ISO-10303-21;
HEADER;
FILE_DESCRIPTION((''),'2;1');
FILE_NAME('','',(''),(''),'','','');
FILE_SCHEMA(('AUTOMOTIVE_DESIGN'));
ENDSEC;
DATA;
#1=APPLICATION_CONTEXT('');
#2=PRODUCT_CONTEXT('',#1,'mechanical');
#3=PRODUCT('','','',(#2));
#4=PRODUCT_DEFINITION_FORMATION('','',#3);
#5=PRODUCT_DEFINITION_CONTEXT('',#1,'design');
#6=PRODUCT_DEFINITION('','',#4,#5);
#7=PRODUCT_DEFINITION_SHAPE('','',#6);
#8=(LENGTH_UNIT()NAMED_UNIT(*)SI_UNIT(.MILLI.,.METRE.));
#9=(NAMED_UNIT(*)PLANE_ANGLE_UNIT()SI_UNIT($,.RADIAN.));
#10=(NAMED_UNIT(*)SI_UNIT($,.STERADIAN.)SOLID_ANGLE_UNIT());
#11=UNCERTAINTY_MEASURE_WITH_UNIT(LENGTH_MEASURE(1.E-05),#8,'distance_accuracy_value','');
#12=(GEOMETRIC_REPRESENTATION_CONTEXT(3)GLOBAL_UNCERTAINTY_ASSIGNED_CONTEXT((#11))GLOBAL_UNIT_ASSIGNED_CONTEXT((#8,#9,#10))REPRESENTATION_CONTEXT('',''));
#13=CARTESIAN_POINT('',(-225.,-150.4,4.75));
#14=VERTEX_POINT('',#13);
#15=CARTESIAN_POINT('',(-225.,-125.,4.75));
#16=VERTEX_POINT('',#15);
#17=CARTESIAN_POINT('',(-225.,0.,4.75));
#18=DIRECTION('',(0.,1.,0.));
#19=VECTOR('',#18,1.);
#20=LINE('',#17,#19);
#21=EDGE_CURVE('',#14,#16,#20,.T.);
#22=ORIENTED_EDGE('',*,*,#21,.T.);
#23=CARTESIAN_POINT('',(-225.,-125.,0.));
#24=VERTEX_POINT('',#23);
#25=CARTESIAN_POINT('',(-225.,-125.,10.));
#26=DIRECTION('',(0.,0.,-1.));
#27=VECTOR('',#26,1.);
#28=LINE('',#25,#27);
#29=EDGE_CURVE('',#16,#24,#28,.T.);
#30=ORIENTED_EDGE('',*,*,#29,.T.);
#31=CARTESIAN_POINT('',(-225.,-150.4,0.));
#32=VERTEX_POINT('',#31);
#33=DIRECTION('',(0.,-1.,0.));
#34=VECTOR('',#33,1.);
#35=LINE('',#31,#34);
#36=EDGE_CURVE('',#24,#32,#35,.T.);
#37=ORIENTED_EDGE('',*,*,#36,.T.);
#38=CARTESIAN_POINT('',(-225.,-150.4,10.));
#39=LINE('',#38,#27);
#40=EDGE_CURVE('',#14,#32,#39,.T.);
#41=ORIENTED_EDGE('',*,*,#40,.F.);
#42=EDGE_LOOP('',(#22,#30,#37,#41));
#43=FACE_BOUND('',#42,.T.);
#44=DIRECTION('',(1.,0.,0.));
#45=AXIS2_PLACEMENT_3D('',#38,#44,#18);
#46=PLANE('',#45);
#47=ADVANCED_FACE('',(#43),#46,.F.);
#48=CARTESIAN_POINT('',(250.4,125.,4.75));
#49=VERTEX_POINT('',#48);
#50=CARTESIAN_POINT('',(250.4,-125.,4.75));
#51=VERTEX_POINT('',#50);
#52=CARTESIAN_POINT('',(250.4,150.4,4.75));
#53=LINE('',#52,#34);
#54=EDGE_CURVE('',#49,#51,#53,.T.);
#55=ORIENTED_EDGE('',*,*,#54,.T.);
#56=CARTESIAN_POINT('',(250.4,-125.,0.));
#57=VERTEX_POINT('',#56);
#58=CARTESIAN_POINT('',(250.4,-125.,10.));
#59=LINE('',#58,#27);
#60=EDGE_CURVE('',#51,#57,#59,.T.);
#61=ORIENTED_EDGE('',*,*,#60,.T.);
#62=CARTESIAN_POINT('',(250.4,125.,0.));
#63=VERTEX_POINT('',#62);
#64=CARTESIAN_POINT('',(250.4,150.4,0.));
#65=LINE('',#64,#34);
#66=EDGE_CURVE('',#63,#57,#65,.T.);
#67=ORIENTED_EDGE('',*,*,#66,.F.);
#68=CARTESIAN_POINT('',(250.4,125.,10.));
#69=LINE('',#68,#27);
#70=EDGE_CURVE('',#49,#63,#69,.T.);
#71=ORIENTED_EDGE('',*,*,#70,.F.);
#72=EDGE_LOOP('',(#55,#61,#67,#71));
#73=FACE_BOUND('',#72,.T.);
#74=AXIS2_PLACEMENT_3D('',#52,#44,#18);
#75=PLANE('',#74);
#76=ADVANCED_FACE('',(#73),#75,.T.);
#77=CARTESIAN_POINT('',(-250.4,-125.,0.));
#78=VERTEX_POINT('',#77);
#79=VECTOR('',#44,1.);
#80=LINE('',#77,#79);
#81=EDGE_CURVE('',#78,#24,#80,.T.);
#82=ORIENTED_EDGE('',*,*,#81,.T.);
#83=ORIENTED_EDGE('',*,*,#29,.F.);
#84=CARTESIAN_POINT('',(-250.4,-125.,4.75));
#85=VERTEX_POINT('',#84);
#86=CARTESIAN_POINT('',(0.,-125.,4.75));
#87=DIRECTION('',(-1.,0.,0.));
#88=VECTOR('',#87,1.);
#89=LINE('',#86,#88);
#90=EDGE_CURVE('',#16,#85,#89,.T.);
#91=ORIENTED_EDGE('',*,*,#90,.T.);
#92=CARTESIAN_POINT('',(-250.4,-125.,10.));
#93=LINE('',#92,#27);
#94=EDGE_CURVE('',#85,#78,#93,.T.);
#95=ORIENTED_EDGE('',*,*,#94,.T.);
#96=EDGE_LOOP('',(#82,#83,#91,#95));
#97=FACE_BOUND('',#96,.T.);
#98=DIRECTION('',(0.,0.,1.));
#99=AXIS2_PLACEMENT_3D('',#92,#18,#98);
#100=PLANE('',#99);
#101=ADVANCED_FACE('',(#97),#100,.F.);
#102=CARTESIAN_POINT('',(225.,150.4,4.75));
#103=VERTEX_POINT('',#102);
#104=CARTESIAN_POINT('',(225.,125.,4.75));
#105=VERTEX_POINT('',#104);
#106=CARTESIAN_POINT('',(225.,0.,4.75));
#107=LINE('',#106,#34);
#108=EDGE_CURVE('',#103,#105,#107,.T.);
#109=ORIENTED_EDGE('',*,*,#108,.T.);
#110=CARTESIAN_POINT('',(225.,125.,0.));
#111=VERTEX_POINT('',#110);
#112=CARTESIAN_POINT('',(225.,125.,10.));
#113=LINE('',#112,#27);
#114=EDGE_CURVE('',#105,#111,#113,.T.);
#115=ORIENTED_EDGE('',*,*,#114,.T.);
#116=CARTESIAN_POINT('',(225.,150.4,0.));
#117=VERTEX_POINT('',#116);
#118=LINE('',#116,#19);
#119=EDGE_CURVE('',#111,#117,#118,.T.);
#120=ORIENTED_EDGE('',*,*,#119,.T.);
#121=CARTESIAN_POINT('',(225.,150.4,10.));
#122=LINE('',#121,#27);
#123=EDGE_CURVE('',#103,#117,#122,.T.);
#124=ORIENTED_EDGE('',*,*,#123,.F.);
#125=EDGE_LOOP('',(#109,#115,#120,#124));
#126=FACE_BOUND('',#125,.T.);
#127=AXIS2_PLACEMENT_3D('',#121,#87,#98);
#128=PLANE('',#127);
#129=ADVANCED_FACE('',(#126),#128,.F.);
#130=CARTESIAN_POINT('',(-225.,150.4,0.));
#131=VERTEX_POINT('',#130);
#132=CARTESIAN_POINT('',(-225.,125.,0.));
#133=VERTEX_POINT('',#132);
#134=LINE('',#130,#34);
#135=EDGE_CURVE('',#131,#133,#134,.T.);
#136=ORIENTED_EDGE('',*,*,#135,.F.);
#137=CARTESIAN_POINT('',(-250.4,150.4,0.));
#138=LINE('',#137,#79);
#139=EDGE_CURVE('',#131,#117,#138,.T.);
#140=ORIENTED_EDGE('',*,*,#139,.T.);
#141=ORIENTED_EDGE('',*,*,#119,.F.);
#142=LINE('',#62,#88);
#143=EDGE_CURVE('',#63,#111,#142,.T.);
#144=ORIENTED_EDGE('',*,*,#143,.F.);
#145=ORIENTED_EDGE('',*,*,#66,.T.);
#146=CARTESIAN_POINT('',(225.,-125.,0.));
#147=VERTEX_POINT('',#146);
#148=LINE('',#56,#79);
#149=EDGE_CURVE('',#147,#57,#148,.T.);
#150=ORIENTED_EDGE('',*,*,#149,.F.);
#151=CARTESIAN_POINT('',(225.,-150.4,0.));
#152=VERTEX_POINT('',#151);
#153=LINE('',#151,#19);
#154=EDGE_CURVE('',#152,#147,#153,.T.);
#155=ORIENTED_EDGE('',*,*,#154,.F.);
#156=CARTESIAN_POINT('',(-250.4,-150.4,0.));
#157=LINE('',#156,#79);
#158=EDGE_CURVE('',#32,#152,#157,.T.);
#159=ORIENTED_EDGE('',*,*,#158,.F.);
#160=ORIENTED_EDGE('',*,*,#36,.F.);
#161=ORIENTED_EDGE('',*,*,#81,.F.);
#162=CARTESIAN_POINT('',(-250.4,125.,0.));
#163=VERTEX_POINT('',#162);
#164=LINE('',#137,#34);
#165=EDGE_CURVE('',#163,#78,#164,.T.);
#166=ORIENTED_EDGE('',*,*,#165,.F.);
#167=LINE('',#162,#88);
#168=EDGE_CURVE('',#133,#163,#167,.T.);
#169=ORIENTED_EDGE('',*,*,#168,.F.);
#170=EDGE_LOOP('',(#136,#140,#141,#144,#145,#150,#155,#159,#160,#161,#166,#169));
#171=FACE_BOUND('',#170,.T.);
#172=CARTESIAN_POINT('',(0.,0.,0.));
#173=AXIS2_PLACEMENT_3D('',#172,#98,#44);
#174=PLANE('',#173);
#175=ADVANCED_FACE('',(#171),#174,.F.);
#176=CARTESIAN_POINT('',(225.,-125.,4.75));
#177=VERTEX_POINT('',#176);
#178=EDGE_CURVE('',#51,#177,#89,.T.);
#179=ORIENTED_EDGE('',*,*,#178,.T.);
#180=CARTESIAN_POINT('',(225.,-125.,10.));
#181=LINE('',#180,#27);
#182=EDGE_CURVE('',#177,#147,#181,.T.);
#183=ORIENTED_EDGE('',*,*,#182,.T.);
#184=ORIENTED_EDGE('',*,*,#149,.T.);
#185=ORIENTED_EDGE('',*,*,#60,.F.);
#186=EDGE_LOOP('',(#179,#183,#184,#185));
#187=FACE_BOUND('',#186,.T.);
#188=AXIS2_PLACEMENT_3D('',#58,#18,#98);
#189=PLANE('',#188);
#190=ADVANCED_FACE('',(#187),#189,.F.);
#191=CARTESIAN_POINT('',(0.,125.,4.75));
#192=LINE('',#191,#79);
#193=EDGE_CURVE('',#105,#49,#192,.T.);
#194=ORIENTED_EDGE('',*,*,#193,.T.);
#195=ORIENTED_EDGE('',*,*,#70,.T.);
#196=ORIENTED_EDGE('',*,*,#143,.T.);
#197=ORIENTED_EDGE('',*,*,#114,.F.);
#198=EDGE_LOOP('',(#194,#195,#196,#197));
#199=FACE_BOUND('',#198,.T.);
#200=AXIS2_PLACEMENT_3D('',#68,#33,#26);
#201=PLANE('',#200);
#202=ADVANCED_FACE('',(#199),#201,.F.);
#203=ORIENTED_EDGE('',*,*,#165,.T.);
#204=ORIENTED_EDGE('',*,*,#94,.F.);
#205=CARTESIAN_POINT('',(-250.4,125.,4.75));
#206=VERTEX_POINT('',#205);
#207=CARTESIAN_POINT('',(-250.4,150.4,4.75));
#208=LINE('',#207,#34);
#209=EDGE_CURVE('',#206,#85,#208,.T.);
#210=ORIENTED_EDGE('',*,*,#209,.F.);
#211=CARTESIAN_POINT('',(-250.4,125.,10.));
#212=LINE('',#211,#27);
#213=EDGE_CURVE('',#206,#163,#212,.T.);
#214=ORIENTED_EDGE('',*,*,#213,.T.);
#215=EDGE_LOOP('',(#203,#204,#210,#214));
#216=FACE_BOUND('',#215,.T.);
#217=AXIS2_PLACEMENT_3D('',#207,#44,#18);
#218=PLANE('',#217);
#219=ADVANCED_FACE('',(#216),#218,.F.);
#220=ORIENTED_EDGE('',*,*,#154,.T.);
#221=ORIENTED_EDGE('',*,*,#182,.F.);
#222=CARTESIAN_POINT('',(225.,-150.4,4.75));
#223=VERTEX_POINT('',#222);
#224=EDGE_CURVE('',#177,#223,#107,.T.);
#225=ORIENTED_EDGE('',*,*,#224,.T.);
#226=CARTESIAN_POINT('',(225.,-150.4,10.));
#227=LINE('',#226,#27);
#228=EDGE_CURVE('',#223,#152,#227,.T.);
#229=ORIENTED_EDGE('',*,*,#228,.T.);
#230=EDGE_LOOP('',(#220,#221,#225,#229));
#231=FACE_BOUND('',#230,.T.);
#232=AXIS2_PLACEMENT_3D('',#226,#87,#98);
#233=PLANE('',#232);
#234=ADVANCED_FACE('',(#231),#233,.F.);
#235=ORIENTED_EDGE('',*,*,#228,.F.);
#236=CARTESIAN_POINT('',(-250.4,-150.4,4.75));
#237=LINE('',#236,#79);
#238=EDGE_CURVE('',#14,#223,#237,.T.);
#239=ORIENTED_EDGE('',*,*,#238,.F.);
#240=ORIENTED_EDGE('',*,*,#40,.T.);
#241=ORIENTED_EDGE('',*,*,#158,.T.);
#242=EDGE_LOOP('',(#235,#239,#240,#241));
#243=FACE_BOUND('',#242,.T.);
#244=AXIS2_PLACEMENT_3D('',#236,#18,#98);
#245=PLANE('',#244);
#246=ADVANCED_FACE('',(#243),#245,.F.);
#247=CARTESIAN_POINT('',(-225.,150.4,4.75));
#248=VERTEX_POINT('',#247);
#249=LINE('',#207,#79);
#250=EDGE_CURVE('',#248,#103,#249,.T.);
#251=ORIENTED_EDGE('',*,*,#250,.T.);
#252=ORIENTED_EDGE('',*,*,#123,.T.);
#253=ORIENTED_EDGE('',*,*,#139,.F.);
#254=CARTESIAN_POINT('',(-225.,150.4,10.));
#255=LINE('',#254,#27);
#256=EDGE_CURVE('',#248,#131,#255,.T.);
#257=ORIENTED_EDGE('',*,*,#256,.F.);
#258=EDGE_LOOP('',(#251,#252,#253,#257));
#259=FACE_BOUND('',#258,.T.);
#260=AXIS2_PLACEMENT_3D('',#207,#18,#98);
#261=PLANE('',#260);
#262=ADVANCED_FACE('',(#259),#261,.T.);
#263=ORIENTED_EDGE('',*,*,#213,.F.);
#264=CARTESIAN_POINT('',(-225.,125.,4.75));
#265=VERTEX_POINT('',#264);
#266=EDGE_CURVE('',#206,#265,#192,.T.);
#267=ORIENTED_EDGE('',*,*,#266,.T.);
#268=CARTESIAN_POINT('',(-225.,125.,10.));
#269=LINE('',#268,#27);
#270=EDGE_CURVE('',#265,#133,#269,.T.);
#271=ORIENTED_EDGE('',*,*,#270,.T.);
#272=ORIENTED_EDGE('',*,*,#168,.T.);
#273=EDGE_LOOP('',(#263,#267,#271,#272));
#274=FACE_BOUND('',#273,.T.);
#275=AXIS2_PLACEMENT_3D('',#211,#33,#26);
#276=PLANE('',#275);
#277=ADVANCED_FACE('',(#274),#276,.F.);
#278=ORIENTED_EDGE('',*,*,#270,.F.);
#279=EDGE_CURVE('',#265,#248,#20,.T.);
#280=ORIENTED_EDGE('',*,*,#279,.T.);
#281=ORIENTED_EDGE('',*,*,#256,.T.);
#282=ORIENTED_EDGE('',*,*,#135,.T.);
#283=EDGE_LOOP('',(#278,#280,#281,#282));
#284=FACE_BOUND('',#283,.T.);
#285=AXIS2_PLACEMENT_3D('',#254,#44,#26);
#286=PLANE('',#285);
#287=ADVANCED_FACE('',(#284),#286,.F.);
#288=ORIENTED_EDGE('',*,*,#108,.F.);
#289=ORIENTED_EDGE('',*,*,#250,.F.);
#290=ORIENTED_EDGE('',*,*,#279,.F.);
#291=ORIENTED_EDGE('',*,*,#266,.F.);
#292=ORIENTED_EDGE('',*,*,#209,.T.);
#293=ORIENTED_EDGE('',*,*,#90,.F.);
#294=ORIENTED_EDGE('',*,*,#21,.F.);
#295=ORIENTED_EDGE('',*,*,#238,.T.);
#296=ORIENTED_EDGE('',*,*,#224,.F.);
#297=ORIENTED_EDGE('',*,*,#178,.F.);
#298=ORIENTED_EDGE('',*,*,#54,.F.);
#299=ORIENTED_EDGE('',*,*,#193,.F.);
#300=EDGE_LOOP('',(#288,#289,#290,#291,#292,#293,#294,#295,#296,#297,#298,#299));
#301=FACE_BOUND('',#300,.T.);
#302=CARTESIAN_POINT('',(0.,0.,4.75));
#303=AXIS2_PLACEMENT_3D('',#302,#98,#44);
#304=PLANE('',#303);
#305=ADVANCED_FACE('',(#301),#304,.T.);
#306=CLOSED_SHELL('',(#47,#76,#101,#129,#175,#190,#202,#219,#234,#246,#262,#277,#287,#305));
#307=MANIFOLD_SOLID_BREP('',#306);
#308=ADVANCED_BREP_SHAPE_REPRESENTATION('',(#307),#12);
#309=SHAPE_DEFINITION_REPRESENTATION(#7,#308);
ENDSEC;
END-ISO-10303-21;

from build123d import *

# Parameters (mm, degrees)
SKETCH_1_W          = 500.8
SKETCH_1_H          = 300.8
EXTRUDE_1_DEPTH     = 4.75
SKETCH_2_W          = 25.4
SKETCH_2_H          = 25.4
CUT_EXTRUDE_1_DEPTH = 10


with BuildPart() as part:
    # 草圖1 → 填料-伸長1 (new body)
    with BuildSketch(Plane.XY):
        Rectangle(SKETCH_1_W, SKETCH_1_H)
    extrude(amount=EXTRUDE_1_DEPTH)

    # 草圖2 → 除料-伸長1 (cut)
    with BuildSketch(Plane(origin=(0, 0, 0), x_dir=(-1, 0, 0), z_dir=(0, 0, -1))):
        with Locations((-237.7, 137.7)):
            Rectangle(SKETCH_2_W, SKETCH_2_H)
        with Locations((-237.7, -137.7)):
            Rectangle(SKETCH_2_W, SKETCH_2_H)
        with Locations((237.7, 137.7)):
            Rectangle(SKETCH_2_W, SKETCH_2_H)
        with Locations((237.7, -137.7)):
            Rectangle(SKETCH_2_W, SKETCH_2_H)
    extrude(amount=-CUT_EXTRUDE_1_DEPTH, mode=Mode.SUBTRACT)


solid = part.part
